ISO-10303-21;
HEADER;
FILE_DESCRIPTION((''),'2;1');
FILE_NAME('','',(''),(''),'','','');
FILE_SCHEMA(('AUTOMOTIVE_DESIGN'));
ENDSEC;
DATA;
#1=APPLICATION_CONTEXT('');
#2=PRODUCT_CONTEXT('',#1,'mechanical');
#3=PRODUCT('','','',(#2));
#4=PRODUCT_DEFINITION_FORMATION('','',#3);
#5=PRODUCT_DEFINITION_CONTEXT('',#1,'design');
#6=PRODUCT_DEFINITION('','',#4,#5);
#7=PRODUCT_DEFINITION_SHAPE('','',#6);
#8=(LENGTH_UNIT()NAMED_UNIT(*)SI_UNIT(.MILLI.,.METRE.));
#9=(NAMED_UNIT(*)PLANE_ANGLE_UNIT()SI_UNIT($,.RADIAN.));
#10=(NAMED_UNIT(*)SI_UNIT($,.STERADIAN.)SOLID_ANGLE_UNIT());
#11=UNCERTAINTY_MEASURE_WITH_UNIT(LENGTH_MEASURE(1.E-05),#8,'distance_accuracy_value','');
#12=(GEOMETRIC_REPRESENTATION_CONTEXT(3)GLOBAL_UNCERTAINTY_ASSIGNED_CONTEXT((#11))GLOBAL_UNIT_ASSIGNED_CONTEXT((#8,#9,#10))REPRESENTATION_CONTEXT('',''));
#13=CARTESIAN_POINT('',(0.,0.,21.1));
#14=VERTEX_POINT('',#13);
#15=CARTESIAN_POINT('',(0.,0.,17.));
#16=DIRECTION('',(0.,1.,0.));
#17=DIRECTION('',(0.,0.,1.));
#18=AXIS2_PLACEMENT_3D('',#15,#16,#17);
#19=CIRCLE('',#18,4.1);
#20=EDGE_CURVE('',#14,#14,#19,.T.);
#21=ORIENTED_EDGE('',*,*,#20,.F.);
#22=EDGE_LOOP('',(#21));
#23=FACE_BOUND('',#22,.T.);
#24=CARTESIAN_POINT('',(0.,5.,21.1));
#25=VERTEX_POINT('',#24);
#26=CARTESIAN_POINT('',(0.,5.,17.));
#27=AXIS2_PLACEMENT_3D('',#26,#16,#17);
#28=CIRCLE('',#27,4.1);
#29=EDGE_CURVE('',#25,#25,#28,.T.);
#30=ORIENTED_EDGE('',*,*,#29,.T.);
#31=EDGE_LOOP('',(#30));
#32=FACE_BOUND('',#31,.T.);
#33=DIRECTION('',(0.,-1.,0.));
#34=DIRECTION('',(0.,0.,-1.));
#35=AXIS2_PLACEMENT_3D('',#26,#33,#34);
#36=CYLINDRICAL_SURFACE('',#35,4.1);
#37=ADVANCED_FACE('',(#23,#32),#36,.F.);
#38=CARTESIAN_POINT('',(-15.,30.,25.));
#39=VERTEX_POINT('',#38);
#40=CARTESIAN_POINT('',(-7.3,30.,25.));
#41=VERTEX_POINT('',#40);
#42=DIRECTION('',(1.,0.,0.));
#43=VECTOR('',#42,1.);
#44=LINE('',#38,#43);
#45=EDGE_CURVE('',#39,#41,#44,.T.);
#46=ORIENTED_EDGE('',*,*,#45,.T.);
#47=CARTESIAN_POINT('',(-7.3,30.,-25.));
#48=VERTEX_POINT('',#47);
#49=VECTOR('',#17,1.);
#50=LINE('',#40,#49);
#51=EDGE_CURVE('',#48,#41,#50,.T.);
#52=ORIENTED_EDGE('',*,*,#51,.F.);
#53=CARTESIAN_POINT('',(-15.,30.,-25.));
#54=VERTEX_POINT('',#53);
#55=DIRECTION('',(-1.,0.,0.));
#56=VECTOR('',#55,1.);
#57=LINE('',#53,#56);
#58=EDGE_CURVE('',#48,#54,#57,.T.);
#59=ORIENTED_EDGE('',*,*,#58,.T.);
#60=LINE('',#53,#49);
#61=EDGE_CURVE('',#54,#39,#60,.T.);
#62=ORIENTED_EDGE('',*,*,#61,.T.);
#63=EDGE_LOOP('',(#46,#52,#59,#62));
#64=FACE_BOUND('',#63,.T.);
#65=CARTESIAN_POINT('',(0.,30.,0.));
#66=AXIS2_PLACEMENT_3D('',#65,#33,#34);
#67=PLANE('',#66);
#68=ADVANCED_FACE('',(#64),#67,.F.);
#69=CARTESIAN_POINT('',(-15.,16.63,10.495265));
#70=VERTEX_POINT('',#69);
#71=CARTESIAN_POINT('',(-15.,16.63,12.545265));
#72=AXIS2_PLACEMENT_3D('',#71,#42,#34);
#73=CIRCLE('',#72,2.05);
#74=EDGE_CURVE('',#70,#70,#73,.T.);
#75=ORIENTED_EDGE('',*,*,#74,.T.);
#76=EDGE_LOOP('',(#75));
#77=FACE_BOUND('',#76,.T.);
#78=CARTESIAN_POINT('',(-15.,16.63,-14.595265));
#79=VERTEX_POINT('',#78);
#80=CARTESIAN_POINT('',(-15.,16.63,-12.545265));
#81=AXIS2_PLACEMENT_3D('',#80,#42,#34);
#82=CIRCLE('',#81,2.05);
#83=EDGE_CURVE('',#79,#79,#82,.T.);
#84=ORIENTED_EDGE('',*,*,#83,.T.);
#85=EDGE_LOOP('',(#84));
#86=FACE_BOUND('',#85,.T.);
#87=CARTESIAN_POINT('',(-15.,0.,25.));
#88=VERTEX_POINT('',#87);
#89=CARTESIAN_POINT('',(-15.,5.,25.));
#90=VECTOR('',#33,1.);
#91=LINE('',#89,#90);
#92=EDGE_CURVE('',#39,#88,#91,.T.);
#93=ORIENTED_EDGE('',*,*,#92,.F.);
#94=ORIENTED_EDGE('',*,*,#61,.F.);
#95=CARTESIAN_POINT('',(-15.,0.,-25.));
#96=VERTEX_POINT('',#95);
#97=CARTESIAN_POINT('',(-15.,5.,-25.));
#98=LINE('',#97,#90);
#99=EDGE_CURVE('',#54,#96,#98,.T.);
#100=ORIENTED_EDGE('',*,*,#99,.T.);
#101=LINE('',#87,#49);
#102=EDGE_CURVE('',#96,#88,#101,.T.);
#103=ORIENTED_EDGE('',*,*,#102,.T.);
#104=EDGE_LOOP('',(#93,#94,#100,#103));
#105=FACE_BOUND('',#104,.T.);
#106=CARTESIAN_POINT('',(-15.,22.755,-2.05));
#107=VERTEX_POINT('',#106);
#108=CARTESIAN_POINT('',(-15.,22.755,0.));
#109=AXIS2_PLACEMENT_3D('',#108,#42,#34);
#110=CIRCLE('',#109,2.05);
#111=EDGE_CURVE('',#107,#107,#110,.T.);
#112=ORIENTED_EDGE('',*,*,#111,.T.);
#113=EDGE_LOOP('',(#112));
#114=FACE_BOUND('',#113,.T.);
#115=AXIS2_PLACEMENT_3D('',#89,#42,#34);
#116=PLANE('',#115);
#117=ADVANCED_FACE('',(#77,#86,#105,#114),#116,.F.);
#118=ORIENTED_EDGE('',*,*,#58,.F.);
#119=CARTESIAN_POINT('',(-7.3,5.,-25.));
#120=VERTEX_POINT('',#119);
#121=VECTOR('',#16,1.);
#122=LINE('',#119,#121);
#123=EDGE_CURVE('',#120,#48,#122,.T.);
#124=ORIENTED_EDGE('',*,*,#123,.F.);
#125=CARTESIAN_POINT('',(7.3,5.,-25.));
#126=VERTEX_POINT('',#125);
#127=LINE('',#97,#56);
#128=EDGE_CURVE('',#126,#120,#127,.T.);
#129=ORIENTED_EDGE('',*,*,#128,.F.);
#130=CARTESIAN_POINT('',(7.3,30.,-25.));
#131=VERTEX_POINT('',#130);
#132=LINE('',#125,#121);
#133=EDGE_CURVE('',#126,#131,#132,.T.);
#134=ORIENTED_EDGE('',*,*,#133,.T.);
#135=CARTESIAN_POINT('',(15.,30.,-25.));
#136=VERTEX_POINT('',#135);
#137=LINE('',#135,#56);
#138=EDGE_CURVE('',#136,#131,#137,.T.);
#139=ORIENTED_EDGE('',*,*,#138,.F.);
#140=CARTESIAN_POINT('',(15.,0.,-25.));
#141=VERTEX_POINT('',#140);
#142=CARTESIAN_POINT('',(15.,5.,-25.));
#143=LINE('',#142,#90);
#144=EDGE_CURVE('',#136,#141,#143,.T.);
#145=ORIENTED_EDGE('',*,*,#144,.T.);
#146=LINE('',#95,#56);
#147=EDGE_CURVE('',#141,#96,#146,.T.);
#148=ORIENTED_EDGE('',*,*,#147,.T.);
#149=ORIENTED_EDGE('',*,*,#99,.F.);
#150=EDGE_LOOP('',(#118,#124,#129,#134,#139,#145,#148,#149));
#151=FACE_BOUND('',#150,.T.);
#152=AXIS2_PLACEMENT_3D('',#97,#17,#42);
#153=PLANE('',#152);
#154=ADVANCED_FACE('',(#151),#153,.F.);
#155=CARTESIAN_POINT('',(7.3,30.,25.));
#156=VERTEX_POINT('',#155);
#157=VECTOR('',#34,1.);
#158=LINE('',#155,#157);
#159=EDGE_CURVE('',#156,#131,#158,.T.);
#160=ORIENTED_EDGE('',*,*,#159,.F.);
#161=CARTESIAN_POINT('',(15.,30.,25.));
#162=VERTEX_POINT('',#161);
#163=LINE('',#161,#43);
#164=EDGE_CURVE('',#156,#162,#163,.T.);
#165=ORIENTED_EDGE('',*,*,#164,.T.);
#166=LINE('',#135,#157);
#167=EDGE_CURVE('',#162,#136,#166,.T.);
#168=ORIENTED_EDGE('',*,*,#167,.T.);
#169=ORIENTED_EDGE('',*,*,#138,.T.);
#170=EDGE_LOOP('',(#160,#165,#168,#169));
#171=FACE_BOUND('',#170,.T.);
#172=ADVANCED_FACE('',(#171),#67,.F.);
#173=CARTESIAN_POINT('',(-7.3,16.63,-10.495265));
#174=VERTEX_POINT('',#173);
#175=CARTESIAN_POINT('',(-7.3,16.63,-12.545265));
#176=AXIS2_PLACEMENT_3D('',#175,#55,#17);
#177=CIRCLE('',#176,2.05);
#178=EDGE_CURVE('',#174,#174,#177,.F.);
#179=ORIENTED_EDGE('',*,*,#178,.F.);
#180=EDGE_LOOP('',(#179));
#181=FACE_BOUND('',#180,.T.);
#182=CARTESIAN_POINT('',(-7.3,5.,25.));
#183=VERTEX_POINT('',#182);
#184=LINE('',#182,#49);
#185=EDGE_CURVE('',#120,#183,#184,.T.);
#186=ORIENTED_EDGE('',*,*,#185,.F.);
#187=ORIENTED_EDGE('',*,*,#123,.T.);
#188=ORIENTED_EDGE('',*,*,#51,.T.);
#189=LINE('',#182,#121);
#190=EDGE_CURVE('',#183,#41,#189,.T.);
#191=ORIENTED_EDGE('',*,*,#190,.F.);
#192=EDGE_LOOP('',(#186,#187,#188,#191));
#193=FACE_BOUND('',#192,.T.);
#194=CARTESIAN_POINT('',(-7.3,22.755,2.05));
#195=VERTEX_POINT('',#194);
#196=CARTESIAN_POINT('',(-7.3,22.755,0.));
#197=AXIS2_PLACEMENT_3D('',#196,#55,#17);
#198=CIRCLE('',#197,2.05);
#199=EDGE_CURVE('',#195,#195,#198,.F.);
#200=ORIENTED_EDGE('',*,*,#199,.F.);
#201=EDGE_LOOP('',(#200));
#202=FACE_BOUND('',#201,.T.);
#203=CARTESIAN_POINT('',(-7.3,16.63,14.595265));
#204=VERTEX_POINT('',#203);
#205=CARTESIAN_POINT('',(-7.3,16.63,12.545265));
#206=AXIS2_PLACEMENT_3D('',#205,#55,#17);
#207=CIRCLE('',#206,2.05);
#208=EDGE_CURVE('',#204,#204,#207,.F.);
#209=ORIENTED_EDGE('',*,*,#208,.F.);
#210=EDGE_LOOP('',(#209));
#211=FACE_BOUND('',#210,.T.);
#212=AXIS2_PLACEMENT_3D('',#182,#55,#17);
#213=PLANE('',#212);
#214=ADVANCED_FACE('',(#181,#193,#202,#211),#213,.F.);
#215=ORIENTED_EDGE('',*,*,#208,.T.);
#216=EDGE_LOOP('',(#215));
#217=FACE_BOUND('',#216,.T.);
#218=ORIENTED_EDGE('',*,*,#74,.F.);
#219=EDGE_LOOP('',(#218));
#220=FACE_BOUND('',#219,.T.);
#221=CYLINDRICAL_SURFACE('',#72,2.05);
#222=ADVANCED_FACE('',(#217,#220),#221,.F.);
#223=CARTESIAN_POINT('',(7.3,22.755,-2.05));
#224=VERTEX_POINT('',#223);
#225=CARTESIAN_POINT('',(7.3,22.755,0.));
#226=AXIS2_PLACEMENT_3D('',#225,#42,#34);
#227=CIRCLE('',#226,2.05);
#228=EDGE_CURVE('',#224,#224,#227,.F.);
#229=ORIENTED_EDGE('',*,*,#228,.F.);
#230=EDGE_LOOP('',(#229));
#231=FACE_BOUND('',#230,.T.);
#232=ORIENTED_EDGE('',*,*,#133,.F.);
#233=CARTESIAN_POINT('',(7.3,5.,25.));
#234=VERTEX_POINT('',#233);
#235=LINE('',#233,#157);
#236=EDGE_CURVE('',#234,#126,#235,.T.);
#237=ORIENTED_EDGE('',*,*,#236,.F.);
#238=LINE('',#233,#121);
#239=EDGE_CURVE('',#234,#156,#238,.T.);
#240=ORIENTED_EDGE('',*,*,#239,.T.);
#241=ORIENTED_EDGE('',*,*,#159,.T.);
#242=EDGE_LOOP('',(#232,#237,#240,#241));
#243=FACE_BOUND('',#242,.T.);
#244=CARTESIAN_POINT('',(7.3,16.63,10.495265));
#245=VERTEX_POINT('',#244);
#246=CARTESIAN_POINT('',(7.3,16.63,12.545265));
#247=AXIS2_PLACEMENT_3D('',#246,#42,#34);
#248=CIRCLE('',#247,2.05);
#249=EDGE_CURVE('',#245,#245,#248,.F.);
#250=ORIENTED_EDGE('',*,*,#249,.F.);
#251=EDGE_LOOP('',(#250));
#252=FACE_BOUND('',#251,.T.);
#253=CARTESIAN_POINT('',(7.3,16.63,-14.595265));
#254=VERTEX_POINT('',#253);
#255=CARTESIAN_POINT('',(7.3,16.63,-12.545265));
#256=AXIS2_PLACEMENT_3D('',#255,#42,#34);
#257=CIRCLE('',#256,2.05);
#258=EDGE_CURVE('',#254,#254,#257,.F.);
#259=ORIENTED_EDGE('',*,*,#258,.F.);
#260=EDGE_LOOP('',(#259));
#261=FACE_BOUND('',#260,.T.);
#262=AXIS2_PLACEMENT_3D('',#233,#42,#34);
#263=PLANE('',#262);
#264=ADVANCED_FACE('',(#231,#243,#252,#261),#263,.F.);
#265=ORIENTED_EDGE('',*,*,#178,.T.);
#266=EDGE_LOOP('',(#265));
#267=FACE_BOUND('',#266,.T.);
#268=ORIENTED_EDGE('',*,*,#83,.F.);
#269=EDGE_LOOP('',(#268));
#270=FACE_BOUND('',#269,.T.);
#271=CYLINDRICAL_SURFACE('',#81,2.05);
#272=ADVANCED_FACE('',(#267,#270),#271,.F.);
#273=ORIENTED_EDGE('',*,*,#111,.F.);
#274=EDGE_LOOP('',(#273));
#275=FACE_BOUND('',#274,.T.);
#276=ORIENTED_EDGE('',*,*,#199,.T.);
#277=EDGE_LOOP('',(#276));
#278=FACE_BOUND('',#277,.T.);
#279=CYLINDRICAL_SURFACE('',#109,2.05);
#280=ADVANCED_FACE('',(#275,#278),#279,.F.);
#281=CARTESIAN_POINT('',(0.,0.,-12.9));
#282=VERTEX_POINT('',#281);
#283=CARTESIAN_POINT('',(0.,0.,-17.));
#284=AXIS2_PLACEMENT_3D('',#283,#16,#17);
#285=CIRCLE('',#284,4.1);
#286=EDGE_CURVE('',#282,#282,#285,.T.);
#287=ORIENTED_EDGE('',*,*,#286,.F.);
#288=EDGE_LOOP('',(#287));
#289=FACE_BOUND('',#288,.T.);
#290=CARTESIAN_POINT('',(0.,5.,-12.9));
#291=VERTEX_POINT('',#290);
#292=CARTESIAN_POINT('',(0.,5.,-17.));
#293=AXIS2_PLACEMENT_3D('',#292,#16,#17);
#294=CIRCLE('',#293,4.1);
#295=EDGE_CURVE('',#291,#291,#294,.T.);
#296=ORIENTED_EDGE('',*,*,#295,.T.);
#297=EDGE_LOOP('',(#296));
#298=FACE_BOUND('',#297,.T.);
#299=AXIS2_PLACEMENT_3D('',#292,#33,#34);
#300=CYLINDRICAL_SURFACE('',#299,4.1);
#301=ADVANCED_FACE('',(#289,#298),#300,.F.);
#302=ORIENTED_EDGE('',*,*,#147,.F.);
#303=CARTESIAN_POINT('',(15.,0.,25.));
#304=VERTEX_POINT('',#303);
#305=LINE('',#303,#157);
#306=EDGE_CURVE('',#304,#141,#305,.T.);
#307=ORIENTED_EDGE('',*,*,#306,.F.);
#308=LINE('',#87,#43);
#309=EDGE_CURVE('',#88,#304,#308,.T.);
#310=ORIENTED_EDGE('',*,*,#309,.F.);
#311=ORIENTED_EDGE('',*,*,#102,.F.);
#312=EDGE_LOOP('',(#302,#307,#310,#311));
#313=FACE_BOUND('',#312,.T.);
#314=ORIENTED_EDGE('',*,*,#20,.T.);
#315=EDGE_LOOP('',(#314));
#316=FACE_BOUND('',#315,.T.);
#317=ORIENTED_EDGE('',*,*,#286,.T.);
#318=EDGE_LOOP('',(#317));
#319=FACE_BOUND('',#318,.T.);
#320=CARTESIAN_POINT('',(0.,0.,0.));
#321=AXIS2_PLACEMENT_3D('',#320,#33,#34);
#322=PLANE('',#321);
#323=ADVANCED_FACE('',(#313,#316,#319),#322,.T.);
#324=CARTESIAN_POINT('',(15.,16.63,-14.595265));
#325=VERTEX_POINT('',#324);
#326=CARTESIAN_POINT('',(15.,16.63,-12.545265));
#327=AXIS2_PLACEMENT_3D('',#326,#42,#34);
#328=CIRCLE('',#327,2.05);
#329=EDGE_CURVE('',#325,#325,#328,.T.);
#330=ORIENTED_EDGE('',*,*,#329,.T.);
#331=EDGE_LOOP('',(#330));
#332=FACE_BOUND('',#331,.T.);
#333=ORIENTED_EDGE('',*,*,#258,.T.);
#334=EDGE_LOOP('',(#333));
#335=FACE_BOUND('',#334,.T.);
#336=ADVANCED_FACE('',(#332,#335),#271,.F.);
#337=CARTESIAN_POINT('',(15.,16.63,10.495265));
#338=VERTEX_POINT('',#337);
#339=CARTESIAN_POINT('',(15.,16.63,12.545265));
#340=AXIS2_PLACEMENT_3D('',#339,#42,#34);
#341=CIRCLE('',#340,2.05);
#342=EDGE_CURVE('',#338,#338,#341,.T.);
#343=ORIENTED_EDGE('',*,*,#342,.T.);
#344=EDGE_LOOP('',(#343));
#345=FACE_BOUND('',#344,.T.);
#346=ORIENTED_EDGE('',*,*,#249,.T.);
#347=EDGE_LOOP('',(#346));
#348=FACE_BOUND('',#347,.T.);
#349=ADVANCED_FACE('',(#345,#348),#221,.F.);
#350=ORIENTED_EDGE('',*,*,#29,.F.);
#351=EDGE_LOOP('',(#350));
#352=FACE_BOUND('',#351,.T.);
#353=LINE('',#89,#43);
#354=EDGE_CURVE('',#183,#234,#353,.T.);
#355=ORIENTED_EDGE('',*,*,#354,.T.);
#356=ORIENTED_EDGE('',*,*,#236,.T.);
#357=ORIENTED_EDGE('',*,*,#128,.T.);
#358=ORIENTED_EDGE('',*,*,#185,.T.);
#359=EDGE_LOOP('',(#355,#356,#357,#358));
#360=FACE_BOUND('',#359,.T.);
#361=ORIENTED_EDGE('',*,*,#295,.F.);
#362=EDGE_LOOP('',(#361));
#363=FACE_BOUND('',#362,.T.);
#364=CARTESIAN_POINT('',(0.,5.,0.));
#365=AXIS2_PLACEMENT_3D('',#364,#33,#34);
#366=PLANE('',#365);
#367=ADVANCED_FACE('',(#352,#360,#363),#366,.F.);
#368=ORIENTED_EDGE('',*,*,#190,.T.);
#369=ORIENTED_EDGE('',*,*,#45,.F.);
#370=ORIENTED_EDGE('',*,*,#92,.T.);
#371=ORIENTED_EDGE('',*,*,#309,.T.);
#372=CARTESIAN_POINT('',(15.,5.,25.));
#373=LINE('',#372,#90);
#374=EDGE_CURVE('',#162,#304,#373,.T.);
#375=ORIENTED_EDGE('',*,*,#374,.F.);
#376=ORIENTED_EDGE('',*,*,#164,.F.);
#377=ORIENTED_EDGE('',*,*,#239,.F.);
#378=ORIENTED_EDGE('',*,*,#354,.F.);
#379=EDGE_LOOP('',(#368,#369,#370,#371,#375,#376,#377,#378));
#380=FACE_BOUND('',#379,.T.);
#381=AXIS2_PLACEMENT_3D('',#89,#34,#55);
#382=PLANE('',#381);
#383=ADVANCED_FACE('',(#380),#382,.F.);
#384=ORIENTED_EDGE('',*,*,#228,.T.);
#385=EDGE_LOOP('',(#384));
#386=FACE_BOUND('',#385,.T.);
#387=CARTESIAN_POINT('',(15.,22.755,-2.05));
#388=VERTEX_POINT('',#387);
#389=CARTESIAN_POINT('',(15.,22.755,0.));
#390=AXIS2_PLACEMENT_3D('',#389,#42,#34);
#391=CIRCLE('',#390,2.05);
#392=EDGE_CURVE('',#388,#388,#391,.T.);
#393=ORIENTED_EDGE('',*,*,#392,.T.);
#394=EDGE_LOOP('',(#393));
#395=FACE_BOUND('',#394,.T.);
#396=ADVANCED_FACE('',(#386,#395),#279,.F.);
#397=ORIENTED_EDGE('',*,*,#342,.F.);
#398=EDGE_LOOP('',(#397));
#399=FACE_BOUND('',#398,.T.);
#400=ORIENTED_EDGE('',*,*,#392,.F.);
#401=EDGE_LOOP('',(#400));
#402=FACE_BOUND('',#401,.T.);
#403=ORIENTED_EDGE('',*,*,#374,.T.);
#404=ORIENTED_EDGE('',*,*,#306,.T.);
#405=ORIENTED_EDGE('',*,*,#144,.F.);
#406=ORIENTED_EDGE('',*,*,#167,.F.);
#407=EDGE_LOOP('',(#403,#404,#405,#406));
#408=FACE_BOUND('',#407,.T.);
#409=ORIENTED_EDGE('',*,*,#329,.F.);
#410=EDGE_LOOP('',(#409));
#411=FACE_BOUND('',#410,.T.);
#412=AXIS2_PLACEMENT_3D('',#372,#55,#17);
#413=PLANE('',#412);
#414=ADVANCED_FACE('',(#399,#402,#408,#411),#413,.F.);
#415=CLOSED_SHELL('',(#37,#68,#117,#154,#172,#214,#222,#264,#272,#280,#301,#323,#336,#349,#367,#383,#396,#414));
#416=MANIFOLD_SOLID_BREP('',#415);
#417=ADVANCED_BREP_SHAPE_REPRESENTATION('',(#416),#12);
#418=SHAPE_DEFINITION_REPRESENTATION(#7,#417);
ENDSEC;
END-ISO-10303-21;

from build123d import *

# Parameters (mm, degrees)
SKETCH1_W           = 30
SKETCH1_H           = 50
SKETCH1_R           = 4.1
BOSS_EXTRUDE1_DEPTH = 5
BOSS_EXTRUDE2_DEPTH = 25
SKETCH4_R           = 2.05
CUT_EXTRUDE1_DEPTH  = 50.244289009
SKETCH5_W           = 14.6
SKETCH5_H           = 50
CUT_EXTRUDE2_DEPTH  = 25


with BuildPart() as part:
    # Sketch1 → Boss-Extrude1 (new body)
    with BuildSketch(Plane(origin=(0, 0, 0), x_dir=(1, 0, 0), z_dir=(0, 1, 0))):
        Rectangle(SKETCH1_W, SKETCH1_H)
        with Locations(Location((0, 17, 0), (0, 0, 270))):
            Circle(SKETCH1_R, mode=Mode.SUBTRACT)
        with Locations(Location((0, -17, 0), (0, 0, 270))):
            Circle(SKETCH1_R, mode=Mode.SUBTRACT)
    extrude(amount=BOSS_EXTRUDE1_DEPTH)

    # Sketch2 → Boss-Extrude2 (add)
    with BuildSketch(Plane(origin=(0, 5, 0), x_dir=(1, 0, 0), z_dir=(0, 1, 0))):
        Polygon((-7.25, -9.75), (7.25, -9.75), (7.25, -25), (15, -25), (15, 25), (7.25, 25), (7.25, 9.75), (-7.25, 9.75), (-7.25, 25), (-15, 25), (-15, -25), (-7.25, -25), align=None)
    extrude(amount=BOSS_EXTRUDE2_DEPTH)

    # Sketch4 → Cut-Extrude1 (cut, through all)
    with BuildSketch(Plane(origin=(15, 0, 0), x_dir=(0, 0, -1), z_dir=(1, 0, 0))):
        with Locations((-12.54526483, 16.63)):
            Circle(SKETCH4_R)
        with Locations((12.54526483, 16.63)):
            Circle(SKETCH4_R)
        with Locations((0, 22.755)):
            Circle(SKETCH4_R)
    extrude(amount=-CUT_EXTRUDE1_DEPTH, mode=Mode.SUBTRACT)

    # Sketch5 → Cut-Extrude2 (cut)
    with BuildSketch(Plane(origin=(0, 30, 0), x_dir=(1, 0, 0), z_dir=(0, 1, 0))):
        Rectangle(SKETCH5_W, SKETCH5_H)
    extrude(amount=-CUT_EXTRUDE2_DEPTH, mode=Mode.SUBTRACT)


solid = part.part
